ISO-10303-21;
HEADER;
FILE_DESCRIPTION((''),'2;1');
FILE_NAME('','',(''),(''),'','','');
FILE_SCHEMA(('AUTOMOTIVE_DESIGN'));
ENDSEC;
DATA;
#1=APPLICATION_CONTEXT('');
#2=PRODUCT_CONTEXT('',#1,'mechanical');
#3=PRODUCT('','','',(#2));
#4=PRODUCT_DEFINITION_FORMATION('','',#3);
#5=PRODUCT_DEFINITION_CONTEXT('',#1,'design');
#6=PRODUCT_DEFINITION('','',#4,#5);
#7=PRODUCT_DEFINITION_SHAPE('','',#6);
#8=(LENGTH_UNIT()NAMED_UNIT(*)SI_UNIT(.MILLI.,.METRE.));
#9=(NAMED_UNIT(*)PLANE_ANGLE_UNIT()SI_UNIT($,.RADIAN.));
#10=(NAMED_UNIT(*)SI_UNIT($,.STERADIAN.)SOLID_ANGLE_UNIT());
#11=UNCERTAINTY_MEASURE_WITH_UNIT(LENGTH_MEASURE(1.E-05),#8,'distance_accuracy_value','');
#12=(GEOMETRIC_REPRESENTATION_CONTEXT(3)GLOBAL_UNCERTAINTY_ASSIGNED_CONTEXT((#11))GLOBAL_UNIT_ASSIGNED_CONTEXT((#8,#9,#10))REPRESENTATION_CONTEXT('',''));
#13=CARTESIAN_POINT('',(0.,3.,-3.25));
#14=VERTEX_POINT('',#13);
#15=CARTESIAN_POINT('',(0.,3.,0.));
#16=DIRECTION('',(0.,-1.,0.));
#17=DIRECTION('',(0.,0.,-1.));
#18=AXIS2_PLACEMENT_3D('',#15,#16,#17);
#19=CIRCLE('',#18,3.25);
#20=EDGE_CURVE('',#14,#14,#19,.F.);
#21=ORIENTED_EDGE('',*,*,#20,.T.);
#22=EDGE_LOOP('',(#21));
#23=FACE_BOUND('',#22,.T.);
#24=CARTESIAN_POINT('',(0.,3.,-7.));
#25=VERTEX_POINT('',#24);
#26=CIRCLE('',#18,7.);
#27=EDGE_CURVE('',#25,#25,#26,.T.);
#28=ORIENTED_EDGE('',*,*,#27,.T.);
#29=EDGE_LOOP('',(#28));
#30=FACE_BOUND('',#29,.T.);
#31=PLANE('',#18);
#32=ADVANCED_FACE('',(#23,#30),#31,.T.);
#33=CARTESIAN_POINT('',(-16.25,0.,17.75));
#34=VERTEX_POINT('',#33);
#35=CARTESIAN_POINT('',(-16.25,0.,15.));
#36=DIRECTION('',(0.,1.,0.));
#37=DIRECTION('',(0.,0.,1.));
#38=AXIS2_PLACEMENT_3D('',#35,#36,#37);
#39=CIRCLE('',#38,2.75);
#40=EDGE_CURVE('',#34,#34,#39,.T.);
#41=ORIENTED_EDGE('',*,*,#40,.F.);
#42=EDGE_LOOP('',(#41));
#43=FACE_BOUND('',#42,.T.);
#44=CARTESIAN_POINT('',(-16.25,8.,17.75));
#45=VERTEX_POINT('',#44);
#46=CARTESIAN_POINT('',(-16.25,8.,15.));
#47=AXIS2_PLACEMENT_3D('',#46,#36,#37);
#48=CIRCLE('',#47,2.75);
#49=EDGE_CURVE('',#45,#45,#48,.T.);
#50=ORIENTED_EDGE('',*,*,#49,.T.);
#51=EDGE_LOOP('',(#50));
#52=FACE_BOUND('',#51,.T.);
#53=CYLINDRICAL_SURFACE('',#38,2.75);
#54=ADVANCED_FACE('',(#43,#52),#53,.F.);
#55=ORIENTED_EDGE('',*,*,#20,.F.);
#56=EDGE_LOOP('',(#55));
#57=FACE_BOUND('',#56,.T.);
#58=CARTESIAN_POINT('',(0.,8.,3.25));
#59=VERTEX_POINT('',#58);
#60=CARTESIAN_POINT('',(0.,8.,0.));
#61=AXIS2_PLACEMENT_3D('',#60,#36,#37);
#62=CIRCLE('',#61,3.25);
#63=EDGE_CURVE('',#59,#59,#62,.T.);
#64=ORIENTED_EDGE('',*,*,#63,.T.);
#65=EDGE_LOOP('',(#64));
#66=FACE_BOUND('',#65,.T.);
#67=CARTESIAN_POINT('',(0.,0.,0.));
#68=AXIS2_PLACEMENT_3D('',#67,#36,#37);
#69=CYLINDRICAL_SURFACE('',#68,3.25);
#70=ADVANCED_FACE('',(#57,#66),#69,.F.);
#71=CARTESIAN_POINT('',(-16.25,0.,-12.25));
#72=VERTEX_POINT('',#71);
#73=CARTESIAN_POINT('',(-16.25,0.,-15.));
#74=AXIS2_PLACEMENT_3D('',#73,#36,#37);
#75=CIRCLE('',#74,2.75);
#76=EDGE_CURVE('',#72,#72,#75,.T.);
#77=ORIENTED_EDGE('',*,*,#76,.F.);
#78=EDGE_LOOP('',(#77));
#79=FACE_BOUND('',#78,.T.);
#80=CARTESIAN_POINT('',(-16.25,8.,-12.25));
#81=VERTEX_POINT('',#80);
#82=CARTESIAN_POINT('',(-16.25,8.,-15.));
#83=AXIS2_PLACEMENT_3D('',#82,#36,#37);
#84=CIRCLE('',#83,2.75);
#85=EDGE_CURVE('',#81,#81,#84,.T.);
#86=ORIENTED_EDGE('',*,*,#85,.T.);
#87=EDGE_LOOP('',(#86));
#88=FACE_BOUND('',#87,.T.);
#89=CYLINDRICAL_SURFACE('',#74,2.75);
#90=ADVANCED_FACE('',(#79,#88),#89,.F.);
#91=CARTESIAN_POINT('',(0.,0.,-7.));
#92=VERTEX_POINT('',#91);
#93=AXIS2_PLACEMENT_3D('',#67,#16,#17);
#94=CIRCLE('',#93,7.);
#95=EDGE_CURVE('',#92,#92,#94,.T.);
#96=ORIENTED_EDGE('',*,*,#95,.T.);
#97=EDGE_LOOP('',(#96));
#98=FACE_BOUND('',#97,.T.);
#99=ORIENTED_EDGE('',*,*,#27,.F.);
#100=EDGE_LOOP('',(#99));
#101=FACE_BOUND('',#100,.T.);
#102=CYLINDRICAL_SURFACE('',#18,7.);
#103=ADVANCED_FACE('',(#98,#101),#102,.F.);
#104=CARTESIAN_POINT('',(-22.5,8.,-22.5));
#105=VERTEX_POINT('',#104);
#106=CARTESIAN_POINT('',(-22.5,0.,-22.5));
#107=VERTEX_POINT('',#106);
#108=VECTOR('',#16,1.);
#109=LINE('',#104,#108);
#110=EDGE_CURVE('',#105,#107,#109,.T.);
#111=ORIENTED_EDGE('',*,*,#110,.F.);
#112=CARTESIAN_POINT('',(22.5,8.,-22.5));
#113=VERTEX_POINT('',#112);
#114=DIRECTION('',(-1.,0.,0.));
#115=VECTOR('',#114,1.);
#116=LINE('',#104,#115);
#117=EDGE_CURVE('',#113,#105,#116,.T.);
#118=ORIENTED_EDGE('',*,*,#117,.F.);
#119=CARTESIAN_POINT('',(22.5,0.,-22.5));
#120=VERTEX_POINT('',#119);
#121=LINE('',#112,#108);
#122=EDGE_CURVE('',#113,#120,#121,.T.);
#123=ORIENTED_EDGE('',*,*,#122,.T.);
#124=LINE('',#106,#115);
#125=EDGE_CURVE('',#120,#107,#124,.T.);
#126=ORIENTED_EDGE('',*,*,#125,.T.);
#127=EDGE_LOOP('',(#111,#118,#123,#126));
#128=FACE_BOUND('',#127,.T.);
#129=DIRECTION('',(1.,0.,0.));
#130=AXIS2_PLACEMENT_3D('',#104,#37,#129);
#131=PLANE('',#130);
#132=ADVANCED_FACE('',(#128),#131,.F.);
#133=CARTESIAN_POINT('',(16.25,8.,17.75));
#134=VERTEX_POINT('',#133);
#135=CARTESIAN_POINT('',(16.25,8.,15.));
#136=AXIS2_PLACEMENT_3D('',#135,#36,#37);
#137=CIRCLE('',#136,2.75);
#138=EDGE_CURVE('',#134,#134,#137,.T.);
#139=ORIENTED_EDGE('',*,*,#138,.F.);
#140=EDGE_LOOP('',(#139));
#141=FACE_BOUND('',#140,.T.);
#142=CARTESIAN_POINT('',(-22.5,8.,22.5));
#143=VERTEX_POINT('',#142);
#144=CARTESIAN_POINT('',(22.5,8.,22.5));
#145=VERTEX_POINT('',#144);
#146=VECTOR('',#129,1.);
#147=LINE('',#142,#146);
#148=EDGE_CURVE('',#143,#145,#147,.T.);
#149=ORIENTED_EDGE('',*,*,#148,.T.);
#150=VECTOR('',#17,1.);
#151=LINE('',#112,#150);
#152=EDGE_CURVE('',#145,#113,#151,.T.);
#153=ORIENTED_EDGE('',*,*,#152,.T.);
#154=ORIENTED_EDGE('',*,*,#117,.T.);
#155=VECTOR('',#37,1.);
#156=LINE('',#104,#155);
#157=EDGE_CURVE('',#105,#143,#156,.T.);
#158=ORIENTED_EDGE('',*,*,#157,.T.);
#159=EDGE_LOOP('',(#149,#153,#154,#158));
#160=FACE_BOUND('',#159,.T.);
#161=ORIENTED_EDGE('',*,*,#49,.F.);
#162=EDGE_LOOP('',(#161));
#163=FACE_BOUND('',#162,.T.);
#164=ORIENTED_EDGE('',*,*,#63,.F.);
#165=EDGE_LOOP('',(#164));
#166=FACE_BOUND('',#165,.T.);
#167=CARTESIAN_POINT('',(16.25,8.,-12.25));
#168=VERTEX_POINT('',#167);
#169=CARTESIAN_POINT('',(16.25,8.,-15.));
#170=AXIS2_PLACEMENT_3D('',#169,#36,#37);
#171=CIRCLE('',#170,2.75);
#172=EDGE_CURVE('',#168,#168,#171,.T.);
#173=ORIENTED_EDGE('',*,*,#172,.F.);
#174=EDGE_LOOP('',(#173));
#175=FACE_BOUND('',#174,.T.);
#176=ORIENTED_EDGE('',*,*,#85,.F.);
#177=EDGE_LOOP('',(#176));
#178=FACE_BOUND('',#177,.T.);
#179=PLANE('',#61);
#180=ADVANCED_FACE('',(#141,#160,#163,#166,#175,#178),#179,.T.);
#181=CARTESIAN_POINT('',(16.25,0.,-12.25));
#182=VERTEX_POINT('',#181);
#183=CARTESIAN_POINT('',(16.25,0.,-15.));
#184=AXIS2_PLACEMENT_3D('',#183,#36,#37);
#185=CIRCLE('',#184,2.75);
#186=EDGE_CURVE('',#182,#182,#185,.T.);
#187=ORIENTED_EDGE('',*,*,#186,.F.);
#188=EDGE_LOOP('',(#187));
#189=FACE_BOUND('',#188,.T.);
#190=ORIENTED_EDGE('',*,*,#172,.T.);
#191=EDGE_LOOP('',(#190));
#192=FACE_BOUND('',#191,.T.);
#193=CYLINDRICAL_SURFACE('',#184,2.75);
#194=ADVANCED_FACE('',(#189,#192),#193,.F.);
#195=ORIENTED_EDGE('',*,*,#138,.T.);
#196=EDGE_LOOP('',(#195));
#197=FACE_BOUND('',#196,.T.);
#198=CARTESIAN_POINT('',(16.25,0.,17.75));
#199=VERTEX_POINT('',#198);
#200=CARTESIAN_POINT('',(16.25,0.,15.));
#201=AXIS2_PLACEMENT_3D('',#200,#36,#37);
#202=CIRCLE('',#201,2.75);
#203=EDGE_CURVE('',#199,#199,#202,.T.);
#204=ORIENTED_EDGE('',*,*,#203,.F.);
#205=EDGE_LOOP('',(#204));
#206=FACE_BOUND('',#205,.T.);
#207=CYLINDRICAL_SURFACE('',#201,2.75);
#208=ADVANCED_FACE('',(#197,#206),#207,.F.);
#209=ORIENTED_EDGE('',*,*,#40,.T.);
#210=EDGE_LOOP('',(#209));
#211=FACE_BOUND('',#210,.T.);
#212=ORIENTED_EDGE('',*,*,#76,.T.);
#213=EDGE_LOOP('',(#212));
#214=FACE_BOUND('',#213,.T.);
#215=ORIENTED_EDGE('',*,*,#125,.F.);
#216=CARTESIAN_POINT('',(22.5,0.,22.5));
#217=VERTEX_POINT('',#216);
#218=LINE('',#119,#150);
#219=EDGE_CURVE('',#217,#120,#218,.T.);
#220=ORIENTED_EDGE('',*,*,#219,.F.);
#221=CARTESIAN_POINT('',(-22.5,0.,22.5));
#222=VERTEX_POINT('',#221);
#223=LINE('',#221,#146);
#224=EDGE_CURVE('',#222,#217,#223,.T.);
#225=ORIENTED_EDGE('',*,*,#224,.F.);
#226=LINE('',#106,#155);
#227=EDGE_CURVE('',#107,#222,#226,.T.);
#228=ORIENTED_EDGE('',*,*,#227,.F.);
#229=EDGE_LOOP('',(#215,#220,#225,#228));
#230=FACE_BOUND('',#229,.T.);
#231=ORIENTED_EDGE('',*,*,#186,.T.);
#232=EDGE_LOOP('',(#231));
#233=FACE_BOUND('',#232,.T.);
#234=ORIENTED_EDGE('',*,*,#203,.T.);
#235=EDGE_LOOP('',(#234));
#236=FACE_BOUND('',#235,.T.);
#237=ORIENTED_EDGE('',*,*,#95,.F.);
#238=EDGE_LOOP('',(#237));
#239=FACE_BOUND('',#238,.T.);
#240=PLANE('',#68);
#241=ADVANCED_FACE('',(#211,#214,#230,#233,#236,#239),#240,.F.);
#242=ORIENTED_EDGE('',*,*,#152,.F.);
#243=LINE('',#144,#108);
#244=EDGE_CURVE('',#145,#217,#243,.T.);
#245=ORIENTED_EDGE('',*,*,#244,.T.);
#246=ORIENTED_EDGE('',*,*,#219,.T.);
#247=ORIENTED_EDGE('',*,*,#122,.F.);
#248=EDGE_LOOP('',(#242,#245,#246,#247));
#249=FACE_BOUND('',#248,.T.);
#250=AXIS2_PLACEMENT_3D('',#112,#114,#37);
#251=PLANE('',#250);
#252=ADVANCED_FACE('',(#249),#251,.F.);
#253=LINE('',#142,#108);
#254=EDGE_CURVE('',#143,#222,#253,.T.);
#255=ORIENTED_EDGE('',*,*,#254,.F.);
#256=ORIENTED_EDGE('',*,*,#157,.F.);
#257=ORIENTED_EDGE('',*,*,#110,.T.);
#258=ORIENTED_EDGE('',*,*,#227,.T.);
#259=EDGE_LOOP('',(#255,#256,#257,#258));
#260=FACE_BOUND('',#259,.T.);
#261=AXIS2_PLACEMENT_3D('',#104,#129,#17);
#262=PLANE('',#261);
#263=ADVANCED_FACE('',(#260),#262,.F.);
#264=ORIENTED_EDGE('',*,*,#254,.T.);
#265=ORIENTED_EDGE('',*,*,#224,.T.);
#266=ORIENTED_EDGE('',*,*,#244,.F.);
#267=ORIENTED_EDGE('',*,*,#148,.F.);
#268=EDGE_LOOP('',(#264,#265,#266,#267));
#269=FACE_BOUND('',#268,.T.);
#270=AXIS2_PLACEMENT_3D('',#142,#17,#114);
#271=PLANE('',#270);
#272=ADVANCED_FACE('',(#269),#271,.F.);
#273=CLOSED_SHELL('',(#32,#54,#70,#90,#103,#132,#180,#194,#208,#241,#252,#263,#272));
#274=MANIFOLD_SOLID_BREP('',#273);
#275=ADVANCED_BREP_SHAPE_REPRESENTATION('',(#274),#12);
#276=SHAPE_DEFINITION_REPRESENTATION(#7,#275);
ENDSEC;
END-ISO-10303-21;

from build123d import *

# Parameters (mm, degrees)
SKETCH_1_W          = 45
SKETCH_1_H          = 45
EXTRUDE_1_DEPTH     = 8
SKETCH_2_R          = 2.75
CUT_EXTRUDE_1_DEPTH = 8
SKETCH_3_R          = 3.25
CUT_EXTRUDE_2_DEPTH = 8
SKETCH_4_R          = 7
CUT_EXTRUDE_3_DEPTH = 3


with BuildPart() as part:
    # 草图1 → 凸台-拉伸1 (new body)
    with BuildSketch(Plane(origin=(0, 0, 0), x_dir=(1, 0, 0), z_dir=(0, 1, 0))):
        Rectangle(SKETCH_1_W, SKETCH_1_H)
    extrude(amount=EXTRUDE_1_DEPTH)

    # 草图2 → 切除-拉伸1 (cut)
    with BuildSketch(Plane(origin=(0, 8, 0), x_dir=(1, 0, 0), z_dir=(0, 1, 0))):
        with Locations(Location((-16.25, 15, 0), (0, 0, 270))):
            Circle(SKETCH_2_R)
        with Locations(Location((16.25, 15, 0), (0, 0, 270))):
            Circle(SKETCH_2_R)
        with Locations(Location((16.25, -15, 0), (0, 0, 270))):
            Circle(SKETCH_2_R)
        with Locations(Location((-16.25, -15, 0), (0, 0, 270))):
            Circle(SKETCH_2_R)
    extrude(amount=-CUT_EXTRUDE_1_DEPTH, mode=Mode.SUBTRACT)

    # 草图3 → 切除-拉伸2 (cut)
    with BuildSketch(Plane(origin=(0, 8, 0), x_dir=(1, 0, 0), z_dir=(0, 1, 0))):
        with Locations(Location((0, 0, 0), (0, 0, 270))):
            Circle(SKETCH_3_R)
    extrude(amount=-CUT_EXTRUDE_2_DEPTH, mode=Mode.SUBTRACT)

    # 草图4 → 切除-拉伸3 (cut)
    with BuildSketch(Plane.XZ):
        with Locations(Location((0, 0, 0), (0, 0, 270))):
            Circle(SKETCH_4_R)
    extrude(amount=-CUT_EXTRUDE_3_DEPTH, mode=Mode.SUBTRACT)


solid = part.part
